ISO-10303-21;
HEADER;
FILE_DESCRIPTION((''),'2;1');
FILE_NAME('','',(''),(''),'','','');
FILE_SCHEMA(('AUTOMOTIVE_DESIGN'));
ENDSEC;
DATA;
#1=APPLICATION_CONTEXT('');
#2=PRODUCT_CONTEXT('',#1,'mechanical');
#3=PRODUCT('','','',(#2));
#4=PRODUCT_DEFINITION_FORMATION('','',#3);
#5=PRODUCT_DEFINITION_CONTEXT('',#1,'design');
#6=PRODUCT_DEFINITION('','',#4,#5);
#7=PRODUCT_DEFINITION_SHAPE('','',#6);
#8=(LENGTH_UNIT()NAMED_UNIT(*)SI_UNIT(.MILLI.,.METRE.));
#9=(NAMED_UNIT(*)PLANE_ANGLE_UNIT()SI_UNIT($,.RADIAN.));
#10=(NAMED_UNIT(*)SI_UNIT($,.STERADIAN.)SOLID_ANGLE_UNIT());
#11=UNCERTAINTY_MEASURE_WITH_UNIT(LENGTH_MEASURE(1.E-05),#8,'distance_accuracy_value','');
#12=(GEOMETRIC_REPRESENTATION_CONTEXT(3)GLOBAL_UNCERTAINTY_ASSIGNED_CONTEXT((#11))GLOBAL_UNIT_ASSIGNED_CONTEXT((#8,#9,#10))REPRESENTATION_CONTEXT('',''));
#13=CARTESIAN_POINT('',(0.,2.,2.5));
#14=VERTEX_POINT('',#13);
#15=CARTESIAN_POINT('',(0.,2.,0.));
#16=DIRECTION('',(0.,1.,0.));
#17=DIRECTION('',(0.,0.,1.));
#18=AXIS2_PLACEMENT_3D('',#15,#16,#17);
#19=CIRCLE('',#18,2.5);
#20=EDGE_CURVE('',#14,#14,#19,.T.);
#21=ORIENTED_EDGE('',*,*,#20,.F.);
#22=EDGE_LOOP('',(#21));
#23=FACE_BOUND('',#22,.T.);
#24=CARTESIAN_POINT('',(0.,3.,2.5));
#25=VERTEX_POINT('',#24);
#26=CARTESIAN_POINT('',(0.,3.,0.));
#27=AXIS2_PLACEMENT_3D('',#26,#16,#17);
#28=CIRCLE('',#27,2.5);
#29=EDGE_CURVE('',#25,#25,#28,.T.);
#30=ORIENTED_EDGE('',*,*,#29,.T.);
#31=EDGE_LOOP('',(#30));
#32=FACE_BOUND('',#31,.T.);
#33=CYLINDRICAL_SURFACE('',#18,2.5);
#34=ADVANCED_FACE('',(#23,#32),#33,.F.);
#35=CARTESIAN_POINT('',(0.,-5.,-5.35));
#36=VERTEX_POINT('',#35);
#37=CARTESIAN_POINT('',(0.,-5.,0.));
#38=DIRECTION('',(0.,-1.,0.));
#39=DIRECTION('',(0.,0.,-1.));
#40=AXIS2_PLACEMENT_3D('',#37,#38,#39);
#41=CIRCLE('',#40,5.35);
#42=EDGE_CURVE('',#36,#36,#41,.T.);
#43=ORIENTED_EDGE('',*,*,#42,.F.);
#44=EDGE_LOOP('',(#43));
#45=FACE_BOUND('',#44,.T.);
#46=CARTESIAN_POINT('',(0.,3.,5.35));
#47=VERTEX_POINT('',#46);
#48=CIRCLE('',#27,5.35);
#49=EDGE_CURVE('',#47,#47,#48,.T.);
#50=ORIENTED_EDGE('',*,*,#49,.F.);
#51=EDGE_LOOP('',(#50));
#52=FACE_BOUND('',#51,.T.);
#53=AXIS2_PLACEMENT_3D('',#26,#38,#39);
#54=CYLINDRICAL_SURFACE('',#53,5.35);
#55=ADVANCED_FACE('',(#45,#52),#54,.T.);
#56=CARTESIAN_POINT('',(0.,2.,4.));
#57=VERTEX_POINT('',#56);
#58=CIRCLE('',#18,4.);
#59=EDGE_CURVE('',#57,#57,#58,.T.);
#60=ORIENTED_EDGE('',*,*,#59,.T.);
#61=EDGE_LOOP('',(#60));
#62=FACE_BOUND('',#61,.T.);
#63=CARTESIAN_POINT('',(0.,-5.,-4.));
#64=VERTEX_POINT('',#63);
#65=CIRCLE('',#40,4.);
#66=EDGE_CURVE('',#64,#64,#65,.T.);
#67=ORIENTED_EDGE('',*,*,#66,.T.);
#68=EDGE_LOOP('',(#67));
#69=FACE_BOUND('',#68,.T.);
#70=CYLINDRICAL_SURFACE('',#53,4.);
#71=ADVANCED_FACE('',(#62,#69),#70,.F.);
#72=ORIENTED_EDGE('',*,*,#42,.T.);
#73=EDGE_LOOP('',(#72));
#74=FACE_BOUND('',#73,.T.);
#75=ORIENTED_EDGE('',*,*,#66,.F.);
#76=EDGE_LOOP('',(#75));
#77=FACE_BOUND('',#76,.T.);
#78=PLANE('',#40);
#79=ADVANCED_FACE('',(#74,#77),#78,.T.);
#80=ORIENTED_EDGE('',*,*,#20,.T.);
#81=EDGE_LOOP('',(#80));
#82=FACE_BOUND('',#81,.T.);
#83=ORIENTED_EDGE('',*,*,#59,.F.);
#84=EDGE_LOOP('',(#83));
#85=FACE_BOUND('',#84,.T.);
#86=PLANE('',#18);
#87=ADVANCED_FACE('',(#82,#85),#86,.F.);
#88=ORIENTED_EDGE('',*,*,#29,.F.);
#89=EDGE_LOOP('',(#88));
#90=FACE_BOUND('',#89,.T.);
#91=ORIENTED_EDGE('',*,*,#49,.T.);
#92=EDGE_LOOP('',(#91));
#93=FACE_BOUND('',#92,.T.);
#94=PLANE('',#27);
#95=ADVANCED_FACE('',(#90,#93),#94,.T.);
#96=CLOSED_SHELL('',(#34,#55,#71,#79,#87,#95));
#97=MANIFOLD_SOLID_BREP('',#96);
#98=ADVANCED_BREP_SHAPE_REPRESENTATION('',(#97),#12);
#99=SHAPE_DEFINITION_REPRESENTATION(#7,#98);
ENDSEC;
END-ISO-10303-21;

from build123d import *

# Parameters (mm, degrees)
SKETCH_1_R          = 5.35
SKETCH_1_R_2        = 4
EXTRUDE_1_DEPTH     = 3
SKETCH_2_R          = 5.35
SKETCH_2_R_2        = 4
EXTRUDE_2_DEPTH     = 5
SKETCH_3_R          = 4
EXTRUDE_3_DEPTH     = 1
SKETCH_4_R          = 2.5
CUT_EXTRUDE_1_DEPTH = 1


with BuildPart() as part:
    # 草图1 → 凸台-拉伸1 (new body)
    with BuildSketch(Plane(origin=(0, 0, 0), x_dir=(1, 0, 0), z_dir=(0, 1, 0))):
        Circle(SKETCH_1_R)
        Circle(SKETCH_1_R_2, mode=Mode.SUBTRACT)
    extrude(amount=EXTRUDE_1_DEPTH)

    # 草图2 → 凸台-拉伸2 (add)
    with BuildSketch(Plane.XZ):
        Circle(SKETCH_2_R)
        Circle(SKETCH_2_R_2, mode=Mode.SUBTRACT)
    extrude(amount=EXTRUDE_2_DEPTH)

    # 草图3 → 凸台-拉伸3 (add)
    with BuildSketch(Plane(origin=(0, 3, 0), x_dir=(1, 0, 0), z_dir=(0, 1, 0))):
        Circle(SKETCH_3_R)
    extrude(amount=-EXTRUDE_3_DEPTH)

    # 草图4 → 切除-拉伸1 (cut)
    with BuildSketch(Plane(origin=(0, 3, 0), x_dir=(1, 0, 0), z_dir=(0, 1, 0))):
        Circle(SKETCH_4_R)
    extrude(amount=-CUT_EXTRUDE_1_DEPTH, mode=Mode.SUBTRACT)


solid = part.part
